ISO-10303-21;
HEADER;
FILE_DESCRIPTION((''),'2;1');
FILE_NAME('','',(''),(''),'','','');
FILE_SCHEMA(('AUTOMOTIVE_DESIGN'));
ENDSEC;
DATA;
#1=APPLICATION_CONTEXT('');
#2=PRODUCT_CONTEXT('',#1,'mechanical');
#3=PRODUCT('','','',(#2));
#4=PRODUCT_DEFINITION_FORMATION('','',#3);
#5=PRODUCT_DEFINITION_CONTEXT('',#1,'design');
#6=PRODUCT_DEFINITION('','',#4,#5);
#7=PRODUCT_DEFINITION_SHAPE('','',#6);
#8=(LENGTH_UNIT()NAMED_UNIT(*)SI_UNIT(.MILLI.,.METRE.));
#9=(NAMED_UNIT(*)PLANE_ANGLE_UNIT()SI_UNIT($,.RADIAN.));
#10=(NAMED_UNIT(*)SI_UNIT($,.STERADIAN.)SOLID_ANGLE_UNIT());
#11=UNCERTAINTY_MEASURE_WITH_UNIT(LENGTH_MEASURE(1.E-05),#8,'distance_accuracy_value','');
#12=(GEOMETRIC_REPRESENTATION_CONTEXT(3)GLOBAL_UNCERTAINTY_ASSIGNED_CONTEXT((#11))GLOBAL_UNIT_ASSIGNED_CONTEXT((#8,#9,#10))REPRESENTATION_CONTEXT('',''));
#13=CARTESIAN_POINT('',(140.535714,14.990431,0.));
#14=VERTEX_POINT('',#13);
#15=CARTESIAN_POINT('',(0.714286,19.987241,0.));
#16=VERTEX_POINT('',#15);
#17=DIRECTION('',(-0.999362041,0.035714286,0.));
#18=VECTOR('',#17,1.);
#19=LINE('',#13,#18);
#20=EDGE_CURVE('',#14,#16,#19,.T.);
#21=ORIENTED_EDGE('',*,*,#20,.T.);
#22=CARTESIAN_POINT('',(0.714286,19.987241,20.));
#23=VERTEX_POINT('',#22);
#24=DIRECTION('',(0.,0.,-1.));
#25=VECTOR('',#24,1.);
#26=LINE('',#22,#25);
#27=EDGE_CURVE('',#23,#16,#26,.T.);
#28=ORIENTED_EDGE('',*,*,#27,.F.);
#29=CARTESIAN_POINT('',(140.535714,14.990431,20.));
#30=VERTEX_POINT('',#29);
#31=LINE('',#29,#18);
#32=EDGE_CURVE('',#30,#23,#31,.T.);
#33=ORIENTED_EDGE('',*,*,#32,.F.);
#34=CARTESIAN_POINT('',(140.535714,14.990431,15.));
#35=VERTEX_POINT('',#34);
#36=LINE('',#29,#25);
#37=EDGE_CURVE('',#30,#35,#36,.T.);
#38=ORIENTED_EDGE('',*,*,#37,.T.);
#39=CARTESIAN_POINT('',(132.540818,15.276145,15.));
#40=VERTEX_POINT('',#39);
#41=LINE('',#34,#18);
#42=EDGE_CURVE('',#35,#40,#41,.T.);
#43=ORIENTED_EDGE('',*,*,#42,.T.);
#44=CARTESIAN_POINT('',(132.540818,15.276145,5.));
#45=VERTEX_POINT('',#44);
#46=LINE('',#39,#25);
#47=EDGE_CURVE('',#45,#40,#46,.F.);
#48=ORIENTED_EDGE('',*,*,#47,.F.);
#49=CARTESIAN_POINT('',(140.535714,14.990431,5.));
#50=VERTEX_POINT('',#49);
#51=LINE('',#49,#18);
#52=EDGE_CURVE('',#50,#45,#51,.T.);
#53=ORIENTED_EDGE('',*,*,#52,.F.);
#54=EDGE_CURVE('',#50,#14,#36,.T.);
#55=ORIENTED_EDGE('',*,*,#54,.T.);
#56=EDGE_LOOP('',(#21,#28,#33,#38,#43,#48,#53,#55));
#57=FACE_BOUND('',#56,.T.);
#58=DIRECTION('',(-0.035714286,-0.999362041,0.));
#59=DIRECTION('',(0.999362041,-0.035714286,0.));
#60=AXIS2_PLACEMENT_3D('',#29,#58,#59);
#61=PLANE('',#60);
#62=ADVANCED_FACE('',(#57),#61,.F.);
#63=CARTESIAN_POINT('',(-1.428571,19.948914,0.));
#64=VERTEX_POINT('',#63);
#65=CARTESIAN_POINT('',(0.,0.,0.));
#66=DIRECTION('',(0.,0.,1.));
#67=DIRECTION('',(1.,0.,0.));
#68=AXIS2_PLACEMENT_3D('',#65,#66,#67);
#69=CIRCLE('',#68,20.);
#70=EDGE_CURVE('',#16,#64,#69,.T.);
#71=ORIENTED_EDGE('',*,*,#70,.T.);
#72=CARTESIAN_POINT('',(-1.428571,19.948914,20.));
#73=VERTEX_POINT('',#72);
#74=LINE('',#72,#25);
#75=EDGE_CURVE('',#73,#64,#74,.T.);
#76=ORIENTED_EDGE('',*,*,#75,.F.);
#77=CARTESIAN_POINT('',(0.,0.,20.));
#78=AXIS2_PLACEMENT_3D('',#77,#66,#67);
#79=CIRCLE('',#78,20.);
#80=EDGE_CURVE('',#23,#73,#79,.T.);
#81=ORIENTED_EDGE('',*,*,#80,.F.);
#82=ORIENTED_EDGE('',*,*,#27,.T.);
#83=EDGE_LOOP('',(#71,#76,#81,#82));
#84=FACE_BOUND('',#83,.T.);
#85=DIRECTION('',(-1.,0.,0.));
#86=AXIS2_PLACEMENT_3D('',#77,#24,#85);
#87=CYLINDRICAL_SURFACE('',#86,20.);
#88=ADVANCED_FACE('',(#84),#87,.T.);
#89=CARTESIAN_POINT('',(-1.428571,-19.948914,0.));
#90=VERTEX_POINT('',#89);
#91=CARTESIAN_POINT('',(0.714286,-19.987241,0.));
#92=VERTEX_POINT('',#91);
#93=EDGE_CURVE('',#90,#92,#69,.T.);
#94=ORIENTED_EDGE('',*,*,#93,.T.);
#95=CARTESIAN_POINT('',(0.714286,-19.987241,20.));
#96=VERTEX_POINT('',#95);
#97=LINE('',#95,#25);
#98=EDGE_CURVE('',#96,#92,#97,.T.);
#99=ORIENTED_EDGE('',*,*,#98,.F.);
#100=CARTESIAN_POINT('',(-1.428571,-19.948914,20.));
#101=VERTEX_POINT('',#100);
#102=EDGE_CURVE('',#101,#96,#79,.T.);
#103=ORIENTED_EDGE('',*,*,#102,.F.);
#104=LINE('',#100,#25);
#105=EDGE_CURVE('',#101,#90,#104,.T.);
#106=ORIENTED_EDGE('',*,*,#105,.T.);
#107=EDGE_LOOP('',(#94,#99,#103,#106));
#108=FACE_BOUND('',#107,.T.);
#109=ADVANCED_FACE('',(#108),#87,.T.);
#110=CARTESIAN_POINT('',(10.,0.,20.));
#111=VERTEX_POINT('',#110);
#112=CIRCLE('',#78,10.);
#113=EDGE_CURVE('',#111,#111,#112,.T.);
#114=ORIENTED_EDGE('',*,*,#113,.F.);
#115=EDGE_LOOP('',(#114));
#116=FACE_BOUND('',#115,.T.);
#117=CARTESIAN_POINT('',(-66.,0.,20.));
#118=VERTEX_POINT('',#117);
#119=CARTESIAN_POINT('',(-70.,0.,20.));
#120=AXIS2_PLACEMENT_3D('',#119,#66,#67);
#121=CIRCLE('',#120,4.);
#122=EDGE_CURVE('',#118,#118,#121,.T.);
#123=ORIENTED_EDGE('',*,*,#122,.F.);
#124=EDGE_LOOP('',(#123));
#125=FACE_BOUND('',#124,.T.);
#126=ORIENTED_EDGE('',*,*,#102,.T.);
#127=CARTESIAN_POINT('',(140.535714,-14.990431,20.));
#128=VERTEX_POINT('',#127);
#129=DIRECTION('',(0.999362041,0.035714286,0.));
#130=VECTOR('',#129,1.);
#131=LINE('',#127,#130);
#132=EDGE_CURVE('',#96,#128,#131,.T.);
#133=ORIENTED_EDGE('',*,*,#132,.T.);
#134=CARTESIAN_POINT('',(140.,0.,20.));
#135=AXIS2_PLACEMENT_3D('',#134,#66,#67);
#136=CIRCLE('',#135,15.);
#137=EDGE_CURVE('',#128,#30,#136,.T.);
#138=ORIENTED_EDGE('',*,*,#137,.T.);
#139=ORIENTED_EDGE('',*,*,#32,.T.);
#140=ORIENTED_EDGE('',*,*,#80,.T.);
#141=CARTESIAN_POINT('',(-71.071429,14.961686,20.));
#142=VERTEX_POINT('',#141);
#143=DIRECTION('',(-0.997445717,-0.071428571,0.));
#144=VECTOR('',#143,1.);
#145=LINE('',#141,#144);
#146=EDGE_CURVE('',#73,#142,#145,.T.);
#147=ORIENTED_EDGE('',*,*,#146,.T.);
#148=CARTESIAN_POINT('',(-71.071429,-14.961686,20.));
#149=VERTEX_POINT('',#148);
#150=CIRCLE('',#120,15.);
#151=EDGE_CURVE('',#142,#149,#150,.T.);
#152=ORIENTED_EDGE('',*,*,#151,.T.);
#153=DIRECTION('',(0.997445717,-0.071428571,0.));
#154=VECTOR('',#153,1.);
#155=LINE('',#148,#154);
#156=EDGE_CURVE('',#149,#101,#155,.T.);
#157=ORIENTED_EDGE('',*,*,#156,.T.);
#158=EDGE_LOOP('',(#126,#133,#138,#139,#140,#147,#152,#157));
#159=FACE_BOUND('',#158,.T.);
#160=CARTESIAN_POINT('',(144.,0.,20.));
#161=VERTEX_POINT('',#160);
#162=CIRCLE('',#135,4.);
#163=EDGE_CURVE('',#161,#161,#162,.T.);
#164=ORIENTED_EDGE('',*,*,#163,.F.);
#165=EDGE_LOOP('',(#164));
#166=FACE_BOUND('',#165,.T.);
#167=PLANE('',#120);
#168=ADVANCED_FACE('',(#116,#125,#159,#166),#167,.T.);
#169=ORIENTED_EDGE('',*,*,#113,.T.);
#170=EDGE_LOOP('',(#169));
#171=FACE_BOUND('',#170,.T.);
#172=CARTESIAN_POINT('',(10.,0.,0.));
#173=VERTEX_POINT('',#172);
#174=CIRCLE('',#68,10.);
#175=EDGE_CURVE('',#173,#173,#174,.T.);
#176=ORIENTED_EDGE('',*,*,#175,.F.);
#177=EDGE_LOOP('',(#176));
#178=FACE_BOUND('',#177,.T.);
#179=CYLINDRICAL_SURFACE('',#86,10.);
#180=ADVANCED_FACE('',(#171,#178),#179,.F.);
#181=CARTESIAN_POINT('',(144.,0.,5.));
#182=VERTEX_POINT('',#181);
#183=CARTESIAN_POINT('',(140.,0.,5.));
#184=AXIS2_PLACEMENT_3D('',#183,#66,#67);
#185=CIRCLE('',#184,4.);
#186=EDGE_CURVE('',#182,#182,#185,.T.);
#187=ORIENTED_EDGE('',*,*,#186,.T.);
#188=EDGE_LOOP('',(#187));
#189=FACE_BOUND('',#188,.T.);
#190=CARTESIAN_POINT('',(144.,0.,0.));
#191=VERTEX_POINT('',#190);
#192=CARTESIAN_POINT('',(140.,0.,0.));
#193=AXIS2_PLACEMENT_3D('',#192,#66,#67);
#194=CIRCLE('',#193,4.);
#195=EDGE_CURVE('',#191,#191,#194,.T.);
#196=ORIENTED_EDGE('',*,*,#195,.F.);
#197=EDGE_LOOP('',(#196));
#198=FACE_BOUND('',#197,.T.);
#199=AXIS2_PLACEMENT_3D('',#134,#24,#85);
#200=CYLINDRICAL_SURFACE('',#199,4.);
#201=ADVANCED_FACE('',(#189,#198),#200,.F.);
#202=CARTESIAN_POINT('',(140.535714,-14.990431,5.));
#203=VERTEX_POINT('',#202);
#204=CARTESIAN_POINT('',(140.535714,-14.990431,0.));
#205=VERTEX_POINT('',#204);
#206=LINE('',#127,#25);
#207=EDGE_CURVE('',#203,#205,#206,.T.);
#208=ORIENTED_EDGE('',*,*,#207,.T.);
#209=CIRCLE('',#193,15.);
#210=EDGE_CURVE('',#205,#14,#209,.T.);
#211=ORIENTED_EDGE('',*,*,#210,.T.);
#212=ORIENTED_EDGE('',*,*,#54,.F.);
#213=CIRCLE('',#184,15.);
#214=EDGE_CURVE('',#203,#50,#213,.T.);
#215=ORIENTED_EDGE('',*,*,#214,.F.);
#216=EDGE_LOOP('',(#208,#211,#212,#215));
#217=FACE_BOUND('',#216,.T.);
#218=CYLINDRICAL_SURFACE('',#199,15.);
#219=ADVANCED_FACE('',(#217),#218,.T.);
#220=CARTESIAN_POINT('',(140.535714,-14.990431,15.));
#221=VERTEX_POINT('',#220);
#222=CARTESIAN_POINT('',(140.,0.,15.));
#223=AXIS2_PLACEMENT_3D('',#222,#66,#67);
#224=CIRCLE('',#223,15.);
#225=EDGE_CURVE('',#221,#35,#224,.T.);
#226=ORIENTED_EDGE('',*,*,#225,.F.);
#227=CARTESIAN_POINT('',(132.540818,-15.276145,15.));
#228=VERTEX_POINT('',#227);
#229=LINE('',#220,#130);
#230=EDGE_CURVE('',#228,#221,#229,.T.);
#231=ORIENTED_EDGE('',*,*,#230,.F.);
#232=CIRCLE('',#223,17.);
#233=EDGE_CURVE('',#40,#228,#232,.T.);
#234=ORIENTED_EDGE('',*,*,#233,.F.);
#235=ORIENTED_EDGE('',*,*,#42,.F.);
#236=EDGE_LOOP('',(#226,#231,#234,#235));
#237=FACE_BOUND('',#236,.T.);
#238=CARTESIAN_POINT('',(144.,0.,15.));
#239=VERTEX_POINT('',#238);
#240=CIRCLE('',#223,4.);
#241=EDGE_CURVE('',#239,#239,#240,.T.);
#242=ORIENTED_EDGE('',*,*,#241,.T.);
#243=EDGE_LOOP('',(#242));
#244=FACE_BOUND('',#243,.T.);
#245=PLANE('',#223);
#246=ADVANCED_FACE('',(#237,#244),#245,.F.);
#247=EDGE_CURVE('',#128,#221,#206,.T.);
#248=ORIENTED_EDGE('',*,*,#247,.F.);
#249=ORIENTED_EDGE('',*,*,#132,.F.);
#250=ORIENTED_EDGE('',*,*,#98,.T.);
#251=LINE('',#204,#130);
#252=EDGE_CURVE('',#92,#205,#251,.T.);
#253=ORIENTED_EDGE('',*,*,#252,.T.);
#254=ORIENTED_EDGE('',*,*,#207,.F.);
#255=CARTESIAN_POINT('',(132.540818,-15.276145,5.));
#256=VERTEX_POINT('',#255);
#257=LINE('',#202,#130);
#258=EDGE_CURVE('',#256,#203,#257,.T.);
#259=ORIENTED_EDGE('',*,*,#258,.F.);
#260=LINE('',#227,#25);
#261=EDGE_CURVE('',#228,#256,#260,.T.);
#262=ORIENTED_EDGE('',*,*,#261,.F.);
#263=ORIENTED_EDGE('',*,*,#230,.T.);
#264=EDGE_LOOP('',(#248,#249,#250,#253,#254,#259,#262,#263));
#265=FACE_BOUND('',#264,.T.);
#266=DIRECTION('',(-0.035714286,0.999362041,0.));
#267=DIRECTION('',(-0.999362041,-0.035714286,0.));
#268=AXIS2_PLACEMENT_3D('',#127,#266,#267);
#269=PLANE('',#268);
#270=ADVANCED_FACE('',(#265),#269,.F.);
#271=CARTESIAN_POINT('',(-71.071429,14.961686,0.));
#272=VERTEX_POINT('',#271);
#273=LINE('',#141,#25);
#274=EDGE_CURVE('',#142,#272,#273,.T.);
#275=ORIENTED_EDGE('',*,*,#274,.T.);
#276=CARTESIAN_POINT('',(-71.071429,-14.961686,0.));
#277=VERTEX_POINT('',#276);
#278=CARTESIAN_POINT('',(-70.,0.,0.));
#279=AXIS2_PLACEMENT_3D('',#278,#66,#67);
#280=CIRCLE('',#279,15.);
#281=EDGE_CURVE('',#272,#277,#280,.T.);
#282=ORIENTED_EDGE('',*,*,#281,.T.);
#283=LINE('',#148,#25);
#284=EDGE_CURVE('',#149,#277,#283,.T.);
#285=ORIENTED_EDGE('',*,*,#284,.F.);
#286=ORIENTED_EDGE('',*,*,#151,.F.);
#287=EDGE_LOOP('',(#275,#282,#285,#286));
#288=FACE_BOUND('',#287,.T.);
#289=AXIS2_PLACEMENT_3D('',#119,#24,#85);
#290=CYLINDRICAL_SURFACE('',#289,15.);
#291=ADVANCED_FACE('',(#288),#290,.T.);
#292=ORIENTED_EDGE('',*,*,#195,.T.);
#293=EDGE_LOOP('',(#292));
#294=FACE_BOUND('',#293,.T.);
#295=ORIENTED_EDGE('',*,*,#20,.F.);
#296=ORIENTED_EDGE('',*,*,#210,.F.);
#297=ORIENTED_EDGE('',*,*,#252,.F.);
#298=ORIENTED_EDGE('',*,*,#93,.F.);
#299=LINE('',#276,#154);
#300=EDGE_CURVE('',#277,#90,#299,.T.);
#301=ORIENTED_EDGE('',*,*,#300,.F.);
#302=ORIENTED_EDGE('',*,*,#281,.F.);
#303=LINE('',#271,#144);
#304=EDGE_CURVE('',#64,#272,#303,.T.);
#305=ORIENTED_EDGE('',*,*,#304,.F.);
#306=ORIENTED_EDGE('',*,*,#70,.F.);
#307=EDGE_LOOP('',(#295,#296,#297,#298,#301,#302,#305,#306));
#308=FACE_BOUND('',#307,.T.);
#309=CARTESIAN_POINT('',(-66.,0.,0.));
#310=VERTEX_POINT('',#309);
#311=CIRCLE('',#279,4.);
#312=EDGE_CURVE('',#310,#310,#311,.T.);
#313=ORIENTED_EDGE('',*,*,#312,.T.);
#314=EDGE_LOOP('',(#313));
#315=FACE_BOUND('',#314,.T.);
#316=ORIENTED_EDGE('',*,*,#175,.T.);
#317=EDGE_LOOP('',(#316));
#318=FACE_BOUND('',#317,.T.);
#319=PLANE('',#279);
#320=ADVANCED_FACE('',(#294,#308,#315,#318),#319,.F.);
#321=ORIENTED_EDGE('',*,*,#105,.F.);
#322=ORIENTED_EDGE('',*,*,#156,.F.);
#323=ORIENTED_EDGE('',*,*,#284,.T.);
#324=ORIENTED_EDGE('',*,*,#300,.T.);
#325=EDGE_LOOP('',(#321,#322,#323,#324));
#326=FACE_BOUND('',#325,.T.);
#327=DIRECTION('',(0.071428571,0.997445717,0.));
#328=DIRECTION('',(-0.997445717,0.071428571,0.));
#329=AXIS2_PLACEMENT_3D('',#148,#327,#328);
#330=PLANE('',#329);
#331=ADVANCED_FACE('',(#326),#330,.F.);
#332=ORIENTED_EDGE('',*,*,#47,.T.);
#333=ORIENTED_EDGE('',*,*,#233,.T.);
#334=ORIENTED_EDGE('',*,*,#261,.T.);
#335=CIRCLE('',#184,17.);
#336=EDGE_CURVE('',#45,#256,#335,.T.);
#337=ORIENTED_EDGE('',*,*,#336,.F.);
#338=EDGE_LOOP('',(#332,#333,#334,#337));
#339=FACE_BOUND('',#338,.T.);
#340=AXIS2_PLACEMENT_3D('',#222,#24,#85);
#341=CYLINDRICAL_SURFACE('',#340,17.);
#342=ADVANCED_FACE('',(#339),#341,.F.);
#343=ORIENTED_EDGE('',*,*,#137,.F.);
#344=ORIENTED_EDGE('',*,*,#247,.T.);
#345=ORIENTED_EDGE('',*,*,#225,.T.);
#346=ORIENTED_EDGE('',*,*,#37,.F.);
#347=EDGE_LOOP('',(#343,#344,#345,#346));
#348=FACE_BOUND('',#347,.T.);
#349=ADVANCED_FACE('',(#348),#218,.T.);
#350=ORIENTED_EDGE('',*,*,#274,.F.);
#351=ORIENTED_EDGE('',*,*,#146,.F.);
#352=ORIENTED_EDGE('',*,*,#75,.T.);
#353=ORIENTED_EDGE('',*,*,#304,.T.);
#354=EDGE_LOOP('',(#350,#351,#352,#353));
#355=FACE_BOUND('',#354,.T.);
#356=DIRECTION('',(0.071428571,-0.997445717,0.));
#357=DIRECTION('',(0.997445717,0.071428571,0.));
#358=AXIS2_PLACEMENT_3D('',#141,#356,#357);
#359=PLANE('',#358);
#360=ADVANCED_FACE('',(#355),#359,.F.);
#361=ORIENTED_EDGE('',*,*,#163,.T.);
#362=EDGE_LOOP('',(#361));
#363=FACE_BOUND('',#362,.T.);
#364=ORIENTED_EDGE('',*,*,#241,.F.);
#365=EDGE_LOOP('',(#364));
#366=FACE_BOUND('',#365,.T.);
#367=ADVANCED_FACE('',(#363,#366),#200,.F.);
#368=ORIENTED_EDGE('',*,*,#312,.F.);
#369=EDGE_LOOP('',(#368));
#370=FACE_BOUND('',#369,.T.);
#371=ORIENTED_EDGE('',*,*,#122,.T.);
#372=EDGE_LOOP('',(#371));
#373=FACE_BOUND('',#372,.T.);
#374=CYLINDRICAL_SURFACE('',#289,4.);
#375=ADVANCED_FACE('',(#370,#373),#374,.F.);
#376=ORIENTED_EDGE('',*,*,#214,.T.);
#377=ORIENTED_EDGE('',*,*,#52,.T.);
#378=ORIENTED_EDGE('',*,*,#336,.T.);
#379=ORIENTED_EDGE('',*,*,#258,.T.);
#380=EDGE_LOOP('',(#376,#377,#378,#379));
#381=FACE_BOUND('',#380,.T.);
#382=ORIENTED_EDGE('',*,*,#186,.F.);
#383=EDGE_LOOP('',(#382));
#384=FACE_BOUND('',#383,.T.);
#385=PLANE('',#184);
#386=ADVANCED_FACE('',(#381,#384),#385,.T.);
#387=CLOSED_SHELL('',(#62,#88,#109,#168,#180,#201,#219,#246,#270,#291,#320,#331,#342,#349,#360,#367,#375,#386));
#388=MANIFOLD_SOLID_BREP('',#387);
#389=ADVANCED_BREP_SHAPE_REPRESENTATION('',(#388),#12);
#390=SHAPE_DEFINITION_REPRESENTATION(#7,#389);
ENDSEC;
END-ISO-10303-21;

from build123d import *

# Parameters (mm, degrees)
SKETCH_1_R          = 10
SKETCH_1_R_2        = 4
EXTRUDE_1_DEPTH     = 20
CUT_EXTRUDE_START   = 5
SKETCH_2_R          = 17
CUT_EXTRUDE_1_DEPTH = 10


with BuildPart() as part:
    # 草图1 → 凸台-拉伸1 (new body)
    with BuildSketch(Plane.XY):
        with BuildLine():
            Line((-71.071428571, 14.961685761), (-1.428571429, 19.948914348))
            ThreePointArc((-1.428571429, 19.948914348), (-0.357656609, 19.996801788), (0.714285714, 19.987240828))
            Line((0.714285714, 19.987240828), (140.535714286, 14.990430621))
            ThreePointArc((140.535714286, 14.990430621), (155, 0), (140.535714286, -14.990430621))
            Line((140.535714286, -14.990430621), (0.714285714, -19.987240828))
            ThreePointArc((0.714285714, -19.987240828), (-0.357656609, -19.996801788), (-1.428571429, -19.948914348))
            Line((-1.428571429, -19.948914348), (-71.071428571, -14.961685761))
            ThreePointArc((-71.071428571, -14.961685761), (-85, 0), (-71.071428571, 14.961685761))
        make_face()
        Circle(SKETCH_1_R, mode=Mode.SUBTRACT)
        with Locations((-70, 0)):
            Circle(SKETCH_1_R_2, mode=Mode.SUBTRACT)
        with Locations((140, 0)):
            Circle(SKETCH_1_R_2, mode=Mode.SUBTRACT)
    extrude(amount=EXTRUDE_1_DEPTH)

    # 草图2 → 切除-拉伸1 (cut)
    with BuildSketch(Plane.XY.offset(CUT_EXTRUDE_START)):
        with Locations((140, 0)):
            Circle(SKETCH_2_R)
    extrude(amount=CUT_EXTRUDE_1_DEPTH, mode=Mode.SUBTRACT)


solid = part.part
